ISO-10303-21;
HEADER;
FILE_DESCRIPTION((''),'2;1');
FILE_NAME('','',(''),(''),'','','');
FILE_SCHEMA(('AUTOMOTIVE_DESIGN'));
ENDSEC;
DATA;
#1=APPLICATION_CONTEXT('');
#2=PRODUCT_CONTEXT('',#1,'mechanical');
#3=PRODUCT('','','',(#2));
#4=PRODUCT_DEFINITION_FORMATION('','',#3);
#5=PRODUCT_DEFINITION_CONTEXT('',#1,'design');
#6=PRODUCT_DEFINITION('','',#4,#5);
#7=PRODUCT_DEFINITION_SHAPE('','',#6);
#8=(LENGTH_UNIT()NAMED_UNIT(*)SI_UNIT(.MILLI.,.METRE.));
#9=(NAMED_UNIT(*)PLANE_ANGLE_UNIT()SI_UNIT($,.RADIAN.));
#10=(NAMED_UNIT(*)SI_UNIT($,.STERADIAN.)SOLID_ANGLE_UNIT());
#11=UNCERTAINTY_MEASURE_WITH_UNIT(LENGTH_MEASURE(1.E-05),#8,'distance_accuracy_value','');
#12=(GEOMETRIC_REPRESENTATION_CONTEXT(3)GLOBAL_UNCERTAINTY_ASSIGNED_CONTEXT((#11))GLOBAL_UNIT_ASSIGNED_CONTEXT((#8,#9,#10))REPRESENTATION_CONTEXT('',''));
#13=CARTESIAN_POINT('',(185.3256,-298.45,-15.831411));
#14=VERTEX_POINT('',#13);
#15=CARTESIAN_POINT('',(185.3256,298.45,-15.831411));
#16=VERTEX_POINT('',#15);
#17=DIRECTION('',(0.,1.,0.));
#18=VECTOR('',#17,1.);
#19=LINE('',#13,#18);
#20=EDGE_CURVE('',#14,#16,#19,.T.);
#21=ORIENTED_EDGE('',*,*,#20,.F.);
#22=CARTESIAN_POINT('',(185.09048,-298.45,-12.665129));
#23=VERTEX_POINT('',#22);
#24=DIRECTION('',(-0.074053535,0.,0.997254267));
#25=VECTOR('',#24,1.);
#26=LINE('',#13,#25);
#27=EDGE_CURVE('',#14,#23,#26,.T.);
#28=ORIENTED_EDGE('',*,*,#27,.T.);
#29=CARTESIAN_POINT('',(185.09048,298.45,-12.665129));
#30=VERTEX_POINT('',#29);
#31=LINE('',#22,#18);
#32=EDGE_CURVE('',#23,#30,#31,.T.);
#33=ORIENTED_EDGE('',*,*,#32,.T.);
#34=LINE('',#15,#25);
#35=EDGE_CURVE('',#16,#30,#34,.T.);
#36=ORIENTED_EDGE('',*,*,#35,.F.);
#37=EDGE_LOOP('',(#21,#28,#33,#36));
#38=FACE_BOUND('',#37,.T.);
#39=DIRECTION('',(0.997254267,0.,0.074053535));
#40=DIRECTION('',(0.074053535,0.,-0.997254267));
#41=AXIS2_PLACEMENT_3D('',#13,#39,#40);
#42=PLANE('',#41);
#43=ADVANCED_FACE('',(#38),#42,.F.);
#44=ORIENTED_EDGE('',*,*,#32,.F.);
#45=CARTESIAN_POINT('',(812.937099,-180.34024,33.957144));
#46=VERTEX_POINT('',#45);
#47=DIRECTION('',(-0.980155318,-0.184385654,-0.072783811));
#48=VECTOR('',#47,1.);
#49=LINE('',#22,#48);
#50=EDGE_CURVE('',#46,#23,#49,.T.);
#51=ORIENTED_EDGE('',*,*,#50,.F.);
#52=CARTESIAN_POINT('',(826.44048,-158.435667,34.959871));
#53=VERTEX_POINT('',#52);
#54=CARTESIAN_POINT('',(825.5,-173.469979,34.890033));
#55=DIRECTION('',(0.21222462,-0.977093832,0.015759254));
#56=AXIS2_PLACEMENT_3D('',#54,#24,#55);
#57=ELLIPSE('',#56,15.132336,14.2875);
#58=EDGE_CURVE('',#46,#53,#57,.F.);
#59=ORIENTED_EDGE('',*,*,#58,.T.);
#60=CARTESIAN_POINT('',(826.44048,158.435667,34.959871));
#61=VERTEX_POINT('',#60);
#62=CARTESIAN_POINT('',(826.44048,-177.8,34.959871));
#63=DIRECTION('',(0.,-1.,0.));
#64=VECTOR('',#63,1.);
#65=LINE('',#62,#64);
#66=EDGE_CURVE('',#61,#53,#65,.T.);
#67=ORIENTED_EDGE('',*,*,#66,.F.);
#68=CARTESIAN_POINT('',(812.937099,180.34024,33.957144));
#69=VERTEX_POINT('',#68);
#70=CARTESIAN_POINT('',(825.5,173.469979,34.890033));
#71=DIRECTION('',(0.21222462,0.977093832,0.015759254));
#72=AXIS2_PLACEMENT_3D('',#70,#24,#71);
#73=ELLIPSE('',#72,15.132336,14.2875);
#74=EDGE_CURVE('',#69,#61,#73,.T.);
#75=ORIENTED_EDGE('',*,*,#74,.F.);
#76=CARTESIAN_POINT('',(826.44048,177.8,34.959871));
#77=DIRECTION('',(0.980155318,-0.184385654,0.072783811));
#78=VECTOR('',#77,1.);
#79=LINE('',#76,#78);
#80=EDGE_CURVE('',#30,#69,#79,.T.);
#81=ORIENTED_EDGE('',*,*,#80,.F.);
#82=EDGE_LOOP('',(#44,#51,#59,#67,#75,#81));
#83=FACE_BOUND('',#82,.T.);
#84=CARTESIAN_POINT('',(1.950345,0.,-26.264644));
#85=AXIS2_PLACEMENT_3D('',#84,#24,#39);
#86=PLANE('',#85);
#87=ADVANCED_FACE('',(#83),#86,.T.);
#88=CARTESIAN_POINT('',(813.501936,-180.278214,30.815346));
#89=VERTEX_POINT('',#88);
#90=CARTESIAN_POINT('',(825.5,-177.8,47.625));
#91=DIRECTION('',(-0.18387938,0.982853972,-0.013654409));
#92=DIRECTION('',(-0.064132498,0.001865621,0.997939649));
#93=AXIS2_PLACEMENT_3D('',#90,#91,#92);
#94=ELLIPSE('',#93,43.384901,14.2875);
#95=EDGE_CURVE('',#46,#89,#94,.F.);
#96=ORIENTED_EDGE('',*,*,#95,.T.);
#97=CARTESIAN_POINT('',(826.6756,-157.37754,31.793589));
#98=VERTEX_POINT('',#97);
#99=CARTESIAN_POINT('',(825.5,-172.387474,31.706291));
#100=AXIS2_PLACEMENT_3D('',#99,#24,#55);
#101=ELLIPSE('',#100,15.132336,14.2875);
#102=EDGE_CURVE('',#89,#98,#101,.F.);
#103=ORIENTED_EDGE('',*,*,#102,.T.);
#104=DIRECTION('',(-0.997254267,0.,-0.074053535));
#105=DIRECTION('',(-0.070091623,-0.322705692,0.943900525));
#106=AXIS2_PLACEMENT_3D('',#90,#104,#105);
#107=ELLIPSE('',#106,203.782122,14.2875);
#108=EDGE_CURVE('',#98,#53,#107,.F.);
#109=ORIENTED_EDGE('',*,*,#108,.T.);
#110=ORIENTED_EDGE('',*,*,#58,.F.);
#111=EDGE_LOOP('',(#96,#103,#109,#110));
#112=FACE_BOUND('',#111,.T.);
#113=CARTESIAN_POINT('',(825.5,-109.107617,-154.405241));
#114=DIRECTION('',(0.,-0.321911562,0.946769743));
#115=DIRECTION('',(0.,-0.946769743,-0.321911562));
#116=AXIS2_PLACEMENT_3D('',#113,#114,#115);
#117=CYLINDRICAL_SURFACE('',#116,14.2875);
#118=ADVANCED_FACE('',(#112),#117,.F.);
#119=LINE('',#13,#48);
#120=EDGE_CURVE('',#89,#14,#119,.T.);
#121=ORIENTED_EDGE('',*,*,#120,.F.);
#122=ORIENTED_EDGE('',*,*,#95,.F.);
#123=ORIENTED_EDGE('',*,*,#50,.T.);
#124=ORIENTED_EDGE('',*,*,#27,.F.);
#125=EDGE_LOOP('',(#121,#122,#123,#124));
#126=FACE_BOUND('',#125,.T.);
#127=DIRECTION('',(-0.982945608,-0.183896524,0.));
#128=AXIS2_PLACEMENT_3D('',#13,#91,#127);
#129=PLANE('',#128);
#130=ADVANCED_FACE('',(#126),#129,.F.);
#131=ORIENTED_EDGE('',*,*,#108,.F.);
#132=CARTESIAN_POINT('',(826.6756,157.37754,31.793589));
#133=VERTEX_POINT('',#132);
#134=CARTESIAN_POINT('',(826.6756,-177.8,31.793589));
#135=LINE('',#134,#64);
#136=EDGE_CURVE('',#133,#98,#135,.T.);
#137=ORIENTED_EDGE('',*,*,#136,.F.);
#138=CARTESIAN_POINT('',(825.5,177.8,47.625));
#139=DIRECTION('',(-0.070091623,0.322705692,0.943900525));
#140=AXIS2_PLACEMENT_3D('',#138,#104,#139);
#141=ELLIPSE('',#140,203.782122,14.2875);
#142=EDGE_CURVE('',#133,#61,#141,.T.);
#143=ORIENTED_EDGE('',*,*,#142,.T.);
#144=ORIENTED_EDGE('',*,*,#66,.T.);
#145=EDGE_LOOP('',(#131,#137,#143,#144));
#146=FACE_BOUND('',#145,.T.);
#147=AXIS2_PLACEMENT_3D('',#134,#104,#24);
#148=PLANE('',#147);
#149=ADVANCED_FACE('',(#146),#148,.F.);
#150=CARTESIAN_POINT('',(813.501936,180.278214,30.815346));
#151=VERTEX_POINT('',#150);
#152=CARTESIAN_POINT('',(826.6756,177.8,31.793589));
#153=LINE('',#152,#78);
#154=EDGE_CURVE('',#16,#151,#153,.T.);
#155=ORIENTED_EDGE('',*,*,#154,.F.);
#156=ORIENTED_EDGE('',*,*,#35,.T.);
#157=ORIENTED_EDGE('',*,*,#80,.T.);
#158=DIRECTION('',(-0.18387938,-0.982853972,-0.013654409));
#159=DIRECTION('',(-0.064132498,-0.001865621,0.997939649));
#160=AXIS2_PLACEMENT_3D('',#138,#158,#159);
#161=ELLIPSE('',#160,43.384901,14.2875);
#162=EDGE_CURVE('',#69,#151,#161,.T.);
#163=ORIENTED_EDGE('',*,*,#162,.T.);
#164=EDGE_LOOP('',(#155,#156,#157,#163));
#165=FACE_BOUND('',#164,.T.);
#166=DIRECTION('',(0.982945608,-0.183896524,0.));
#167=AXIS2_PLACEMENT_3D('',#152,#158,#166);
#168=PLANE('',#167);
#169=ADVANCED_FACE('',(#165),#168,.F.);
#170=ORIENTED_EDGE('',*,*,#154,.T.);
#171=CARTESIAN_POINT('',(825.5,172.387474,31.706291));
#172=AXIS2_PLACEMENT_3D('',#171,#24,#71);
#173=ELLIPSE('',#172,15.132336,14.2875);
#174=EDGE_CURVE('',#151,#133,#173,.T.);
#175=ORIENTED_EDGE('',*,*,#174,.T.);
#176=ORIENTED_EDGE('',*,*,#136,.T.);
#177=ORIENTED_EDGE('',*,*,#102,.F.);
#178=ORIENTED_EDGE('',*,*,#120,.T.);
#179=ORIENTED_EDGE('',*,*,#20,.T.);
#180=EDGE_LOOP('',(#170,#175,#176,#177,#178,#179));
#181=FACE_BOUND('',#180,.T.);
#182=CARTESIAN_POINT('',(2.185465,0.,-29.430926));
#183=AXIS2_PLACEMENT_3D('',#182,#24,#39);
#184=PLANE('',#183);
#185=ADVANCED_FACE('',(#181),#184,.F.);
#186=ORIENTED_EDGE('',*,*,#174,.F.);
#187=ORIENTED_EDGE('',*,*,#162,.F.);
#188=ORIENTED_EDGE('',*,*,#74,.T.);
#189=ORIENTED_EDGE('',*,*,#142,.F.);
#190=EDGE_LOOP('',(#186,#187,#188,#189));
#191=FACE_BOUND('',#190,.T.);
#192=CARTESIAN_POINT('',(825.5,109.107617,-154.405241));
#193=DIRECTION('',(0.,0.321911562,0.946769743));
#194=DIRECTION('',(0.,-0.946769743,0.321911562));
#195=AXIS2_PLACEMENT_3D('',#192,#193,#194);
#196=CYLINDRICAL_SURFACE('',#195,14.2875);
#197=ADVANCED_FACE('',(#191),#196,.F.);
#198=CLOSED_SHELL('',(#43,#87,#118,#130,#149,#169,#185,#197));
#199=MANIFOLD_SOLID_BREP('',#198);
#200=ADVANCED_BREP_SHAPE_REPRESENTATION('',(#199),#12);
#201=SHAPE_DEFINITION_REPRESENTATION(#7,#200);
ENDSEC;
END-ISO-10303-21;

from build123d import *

# Parameters (mm, degrees)
BOSS_EXTRUDE1_DEPTH = 3.175
SKETCH2_R           = 14.2875
CUT_EXTRUDE1_DEPTH  = 837.34562622


with BuildPart() as part:
    # Sketch1 → Boss-Extrude1 (new body)
    with BuildSketch(Plane(origin=(1.950344864, 0, -26.264644174), x_dir=(-0.9972542674746705, 0, -0.07405353471346578), z_dir=(0.07405353471346578, 0, -0.9972542674746705))):
        Polygon((-183.644373355, -298.45), (-183.644373355, 298.45), (-826.760197391, 177.8), (-826.760197391, -177.8), align=None)
    extrude(amount=BOSS_EXTRUDE1_DEPTH)

    # Sketch2 → Cut-Extrude1 (cut, through all)
    with BuildSketch(Plane(origin=(825.5, 212.942802273, 150.983020837), x_dir=(1, 0, 0), z_dir=(0, 0.32191156150474026, 0.9467697431633416))):
        Circle(SKETCH2_R)
    cut_extrude1 = extrude(amount=-CUT_EXTRUDE1_DEPTH, mode=Mode.SUBTRACT)

    # Mirror1: Cut-Extrude1 across plane
    add(cut_extrude1.mirror(Plane.ZX), mode=Mode.SUBTRACT)


solid = part.part
